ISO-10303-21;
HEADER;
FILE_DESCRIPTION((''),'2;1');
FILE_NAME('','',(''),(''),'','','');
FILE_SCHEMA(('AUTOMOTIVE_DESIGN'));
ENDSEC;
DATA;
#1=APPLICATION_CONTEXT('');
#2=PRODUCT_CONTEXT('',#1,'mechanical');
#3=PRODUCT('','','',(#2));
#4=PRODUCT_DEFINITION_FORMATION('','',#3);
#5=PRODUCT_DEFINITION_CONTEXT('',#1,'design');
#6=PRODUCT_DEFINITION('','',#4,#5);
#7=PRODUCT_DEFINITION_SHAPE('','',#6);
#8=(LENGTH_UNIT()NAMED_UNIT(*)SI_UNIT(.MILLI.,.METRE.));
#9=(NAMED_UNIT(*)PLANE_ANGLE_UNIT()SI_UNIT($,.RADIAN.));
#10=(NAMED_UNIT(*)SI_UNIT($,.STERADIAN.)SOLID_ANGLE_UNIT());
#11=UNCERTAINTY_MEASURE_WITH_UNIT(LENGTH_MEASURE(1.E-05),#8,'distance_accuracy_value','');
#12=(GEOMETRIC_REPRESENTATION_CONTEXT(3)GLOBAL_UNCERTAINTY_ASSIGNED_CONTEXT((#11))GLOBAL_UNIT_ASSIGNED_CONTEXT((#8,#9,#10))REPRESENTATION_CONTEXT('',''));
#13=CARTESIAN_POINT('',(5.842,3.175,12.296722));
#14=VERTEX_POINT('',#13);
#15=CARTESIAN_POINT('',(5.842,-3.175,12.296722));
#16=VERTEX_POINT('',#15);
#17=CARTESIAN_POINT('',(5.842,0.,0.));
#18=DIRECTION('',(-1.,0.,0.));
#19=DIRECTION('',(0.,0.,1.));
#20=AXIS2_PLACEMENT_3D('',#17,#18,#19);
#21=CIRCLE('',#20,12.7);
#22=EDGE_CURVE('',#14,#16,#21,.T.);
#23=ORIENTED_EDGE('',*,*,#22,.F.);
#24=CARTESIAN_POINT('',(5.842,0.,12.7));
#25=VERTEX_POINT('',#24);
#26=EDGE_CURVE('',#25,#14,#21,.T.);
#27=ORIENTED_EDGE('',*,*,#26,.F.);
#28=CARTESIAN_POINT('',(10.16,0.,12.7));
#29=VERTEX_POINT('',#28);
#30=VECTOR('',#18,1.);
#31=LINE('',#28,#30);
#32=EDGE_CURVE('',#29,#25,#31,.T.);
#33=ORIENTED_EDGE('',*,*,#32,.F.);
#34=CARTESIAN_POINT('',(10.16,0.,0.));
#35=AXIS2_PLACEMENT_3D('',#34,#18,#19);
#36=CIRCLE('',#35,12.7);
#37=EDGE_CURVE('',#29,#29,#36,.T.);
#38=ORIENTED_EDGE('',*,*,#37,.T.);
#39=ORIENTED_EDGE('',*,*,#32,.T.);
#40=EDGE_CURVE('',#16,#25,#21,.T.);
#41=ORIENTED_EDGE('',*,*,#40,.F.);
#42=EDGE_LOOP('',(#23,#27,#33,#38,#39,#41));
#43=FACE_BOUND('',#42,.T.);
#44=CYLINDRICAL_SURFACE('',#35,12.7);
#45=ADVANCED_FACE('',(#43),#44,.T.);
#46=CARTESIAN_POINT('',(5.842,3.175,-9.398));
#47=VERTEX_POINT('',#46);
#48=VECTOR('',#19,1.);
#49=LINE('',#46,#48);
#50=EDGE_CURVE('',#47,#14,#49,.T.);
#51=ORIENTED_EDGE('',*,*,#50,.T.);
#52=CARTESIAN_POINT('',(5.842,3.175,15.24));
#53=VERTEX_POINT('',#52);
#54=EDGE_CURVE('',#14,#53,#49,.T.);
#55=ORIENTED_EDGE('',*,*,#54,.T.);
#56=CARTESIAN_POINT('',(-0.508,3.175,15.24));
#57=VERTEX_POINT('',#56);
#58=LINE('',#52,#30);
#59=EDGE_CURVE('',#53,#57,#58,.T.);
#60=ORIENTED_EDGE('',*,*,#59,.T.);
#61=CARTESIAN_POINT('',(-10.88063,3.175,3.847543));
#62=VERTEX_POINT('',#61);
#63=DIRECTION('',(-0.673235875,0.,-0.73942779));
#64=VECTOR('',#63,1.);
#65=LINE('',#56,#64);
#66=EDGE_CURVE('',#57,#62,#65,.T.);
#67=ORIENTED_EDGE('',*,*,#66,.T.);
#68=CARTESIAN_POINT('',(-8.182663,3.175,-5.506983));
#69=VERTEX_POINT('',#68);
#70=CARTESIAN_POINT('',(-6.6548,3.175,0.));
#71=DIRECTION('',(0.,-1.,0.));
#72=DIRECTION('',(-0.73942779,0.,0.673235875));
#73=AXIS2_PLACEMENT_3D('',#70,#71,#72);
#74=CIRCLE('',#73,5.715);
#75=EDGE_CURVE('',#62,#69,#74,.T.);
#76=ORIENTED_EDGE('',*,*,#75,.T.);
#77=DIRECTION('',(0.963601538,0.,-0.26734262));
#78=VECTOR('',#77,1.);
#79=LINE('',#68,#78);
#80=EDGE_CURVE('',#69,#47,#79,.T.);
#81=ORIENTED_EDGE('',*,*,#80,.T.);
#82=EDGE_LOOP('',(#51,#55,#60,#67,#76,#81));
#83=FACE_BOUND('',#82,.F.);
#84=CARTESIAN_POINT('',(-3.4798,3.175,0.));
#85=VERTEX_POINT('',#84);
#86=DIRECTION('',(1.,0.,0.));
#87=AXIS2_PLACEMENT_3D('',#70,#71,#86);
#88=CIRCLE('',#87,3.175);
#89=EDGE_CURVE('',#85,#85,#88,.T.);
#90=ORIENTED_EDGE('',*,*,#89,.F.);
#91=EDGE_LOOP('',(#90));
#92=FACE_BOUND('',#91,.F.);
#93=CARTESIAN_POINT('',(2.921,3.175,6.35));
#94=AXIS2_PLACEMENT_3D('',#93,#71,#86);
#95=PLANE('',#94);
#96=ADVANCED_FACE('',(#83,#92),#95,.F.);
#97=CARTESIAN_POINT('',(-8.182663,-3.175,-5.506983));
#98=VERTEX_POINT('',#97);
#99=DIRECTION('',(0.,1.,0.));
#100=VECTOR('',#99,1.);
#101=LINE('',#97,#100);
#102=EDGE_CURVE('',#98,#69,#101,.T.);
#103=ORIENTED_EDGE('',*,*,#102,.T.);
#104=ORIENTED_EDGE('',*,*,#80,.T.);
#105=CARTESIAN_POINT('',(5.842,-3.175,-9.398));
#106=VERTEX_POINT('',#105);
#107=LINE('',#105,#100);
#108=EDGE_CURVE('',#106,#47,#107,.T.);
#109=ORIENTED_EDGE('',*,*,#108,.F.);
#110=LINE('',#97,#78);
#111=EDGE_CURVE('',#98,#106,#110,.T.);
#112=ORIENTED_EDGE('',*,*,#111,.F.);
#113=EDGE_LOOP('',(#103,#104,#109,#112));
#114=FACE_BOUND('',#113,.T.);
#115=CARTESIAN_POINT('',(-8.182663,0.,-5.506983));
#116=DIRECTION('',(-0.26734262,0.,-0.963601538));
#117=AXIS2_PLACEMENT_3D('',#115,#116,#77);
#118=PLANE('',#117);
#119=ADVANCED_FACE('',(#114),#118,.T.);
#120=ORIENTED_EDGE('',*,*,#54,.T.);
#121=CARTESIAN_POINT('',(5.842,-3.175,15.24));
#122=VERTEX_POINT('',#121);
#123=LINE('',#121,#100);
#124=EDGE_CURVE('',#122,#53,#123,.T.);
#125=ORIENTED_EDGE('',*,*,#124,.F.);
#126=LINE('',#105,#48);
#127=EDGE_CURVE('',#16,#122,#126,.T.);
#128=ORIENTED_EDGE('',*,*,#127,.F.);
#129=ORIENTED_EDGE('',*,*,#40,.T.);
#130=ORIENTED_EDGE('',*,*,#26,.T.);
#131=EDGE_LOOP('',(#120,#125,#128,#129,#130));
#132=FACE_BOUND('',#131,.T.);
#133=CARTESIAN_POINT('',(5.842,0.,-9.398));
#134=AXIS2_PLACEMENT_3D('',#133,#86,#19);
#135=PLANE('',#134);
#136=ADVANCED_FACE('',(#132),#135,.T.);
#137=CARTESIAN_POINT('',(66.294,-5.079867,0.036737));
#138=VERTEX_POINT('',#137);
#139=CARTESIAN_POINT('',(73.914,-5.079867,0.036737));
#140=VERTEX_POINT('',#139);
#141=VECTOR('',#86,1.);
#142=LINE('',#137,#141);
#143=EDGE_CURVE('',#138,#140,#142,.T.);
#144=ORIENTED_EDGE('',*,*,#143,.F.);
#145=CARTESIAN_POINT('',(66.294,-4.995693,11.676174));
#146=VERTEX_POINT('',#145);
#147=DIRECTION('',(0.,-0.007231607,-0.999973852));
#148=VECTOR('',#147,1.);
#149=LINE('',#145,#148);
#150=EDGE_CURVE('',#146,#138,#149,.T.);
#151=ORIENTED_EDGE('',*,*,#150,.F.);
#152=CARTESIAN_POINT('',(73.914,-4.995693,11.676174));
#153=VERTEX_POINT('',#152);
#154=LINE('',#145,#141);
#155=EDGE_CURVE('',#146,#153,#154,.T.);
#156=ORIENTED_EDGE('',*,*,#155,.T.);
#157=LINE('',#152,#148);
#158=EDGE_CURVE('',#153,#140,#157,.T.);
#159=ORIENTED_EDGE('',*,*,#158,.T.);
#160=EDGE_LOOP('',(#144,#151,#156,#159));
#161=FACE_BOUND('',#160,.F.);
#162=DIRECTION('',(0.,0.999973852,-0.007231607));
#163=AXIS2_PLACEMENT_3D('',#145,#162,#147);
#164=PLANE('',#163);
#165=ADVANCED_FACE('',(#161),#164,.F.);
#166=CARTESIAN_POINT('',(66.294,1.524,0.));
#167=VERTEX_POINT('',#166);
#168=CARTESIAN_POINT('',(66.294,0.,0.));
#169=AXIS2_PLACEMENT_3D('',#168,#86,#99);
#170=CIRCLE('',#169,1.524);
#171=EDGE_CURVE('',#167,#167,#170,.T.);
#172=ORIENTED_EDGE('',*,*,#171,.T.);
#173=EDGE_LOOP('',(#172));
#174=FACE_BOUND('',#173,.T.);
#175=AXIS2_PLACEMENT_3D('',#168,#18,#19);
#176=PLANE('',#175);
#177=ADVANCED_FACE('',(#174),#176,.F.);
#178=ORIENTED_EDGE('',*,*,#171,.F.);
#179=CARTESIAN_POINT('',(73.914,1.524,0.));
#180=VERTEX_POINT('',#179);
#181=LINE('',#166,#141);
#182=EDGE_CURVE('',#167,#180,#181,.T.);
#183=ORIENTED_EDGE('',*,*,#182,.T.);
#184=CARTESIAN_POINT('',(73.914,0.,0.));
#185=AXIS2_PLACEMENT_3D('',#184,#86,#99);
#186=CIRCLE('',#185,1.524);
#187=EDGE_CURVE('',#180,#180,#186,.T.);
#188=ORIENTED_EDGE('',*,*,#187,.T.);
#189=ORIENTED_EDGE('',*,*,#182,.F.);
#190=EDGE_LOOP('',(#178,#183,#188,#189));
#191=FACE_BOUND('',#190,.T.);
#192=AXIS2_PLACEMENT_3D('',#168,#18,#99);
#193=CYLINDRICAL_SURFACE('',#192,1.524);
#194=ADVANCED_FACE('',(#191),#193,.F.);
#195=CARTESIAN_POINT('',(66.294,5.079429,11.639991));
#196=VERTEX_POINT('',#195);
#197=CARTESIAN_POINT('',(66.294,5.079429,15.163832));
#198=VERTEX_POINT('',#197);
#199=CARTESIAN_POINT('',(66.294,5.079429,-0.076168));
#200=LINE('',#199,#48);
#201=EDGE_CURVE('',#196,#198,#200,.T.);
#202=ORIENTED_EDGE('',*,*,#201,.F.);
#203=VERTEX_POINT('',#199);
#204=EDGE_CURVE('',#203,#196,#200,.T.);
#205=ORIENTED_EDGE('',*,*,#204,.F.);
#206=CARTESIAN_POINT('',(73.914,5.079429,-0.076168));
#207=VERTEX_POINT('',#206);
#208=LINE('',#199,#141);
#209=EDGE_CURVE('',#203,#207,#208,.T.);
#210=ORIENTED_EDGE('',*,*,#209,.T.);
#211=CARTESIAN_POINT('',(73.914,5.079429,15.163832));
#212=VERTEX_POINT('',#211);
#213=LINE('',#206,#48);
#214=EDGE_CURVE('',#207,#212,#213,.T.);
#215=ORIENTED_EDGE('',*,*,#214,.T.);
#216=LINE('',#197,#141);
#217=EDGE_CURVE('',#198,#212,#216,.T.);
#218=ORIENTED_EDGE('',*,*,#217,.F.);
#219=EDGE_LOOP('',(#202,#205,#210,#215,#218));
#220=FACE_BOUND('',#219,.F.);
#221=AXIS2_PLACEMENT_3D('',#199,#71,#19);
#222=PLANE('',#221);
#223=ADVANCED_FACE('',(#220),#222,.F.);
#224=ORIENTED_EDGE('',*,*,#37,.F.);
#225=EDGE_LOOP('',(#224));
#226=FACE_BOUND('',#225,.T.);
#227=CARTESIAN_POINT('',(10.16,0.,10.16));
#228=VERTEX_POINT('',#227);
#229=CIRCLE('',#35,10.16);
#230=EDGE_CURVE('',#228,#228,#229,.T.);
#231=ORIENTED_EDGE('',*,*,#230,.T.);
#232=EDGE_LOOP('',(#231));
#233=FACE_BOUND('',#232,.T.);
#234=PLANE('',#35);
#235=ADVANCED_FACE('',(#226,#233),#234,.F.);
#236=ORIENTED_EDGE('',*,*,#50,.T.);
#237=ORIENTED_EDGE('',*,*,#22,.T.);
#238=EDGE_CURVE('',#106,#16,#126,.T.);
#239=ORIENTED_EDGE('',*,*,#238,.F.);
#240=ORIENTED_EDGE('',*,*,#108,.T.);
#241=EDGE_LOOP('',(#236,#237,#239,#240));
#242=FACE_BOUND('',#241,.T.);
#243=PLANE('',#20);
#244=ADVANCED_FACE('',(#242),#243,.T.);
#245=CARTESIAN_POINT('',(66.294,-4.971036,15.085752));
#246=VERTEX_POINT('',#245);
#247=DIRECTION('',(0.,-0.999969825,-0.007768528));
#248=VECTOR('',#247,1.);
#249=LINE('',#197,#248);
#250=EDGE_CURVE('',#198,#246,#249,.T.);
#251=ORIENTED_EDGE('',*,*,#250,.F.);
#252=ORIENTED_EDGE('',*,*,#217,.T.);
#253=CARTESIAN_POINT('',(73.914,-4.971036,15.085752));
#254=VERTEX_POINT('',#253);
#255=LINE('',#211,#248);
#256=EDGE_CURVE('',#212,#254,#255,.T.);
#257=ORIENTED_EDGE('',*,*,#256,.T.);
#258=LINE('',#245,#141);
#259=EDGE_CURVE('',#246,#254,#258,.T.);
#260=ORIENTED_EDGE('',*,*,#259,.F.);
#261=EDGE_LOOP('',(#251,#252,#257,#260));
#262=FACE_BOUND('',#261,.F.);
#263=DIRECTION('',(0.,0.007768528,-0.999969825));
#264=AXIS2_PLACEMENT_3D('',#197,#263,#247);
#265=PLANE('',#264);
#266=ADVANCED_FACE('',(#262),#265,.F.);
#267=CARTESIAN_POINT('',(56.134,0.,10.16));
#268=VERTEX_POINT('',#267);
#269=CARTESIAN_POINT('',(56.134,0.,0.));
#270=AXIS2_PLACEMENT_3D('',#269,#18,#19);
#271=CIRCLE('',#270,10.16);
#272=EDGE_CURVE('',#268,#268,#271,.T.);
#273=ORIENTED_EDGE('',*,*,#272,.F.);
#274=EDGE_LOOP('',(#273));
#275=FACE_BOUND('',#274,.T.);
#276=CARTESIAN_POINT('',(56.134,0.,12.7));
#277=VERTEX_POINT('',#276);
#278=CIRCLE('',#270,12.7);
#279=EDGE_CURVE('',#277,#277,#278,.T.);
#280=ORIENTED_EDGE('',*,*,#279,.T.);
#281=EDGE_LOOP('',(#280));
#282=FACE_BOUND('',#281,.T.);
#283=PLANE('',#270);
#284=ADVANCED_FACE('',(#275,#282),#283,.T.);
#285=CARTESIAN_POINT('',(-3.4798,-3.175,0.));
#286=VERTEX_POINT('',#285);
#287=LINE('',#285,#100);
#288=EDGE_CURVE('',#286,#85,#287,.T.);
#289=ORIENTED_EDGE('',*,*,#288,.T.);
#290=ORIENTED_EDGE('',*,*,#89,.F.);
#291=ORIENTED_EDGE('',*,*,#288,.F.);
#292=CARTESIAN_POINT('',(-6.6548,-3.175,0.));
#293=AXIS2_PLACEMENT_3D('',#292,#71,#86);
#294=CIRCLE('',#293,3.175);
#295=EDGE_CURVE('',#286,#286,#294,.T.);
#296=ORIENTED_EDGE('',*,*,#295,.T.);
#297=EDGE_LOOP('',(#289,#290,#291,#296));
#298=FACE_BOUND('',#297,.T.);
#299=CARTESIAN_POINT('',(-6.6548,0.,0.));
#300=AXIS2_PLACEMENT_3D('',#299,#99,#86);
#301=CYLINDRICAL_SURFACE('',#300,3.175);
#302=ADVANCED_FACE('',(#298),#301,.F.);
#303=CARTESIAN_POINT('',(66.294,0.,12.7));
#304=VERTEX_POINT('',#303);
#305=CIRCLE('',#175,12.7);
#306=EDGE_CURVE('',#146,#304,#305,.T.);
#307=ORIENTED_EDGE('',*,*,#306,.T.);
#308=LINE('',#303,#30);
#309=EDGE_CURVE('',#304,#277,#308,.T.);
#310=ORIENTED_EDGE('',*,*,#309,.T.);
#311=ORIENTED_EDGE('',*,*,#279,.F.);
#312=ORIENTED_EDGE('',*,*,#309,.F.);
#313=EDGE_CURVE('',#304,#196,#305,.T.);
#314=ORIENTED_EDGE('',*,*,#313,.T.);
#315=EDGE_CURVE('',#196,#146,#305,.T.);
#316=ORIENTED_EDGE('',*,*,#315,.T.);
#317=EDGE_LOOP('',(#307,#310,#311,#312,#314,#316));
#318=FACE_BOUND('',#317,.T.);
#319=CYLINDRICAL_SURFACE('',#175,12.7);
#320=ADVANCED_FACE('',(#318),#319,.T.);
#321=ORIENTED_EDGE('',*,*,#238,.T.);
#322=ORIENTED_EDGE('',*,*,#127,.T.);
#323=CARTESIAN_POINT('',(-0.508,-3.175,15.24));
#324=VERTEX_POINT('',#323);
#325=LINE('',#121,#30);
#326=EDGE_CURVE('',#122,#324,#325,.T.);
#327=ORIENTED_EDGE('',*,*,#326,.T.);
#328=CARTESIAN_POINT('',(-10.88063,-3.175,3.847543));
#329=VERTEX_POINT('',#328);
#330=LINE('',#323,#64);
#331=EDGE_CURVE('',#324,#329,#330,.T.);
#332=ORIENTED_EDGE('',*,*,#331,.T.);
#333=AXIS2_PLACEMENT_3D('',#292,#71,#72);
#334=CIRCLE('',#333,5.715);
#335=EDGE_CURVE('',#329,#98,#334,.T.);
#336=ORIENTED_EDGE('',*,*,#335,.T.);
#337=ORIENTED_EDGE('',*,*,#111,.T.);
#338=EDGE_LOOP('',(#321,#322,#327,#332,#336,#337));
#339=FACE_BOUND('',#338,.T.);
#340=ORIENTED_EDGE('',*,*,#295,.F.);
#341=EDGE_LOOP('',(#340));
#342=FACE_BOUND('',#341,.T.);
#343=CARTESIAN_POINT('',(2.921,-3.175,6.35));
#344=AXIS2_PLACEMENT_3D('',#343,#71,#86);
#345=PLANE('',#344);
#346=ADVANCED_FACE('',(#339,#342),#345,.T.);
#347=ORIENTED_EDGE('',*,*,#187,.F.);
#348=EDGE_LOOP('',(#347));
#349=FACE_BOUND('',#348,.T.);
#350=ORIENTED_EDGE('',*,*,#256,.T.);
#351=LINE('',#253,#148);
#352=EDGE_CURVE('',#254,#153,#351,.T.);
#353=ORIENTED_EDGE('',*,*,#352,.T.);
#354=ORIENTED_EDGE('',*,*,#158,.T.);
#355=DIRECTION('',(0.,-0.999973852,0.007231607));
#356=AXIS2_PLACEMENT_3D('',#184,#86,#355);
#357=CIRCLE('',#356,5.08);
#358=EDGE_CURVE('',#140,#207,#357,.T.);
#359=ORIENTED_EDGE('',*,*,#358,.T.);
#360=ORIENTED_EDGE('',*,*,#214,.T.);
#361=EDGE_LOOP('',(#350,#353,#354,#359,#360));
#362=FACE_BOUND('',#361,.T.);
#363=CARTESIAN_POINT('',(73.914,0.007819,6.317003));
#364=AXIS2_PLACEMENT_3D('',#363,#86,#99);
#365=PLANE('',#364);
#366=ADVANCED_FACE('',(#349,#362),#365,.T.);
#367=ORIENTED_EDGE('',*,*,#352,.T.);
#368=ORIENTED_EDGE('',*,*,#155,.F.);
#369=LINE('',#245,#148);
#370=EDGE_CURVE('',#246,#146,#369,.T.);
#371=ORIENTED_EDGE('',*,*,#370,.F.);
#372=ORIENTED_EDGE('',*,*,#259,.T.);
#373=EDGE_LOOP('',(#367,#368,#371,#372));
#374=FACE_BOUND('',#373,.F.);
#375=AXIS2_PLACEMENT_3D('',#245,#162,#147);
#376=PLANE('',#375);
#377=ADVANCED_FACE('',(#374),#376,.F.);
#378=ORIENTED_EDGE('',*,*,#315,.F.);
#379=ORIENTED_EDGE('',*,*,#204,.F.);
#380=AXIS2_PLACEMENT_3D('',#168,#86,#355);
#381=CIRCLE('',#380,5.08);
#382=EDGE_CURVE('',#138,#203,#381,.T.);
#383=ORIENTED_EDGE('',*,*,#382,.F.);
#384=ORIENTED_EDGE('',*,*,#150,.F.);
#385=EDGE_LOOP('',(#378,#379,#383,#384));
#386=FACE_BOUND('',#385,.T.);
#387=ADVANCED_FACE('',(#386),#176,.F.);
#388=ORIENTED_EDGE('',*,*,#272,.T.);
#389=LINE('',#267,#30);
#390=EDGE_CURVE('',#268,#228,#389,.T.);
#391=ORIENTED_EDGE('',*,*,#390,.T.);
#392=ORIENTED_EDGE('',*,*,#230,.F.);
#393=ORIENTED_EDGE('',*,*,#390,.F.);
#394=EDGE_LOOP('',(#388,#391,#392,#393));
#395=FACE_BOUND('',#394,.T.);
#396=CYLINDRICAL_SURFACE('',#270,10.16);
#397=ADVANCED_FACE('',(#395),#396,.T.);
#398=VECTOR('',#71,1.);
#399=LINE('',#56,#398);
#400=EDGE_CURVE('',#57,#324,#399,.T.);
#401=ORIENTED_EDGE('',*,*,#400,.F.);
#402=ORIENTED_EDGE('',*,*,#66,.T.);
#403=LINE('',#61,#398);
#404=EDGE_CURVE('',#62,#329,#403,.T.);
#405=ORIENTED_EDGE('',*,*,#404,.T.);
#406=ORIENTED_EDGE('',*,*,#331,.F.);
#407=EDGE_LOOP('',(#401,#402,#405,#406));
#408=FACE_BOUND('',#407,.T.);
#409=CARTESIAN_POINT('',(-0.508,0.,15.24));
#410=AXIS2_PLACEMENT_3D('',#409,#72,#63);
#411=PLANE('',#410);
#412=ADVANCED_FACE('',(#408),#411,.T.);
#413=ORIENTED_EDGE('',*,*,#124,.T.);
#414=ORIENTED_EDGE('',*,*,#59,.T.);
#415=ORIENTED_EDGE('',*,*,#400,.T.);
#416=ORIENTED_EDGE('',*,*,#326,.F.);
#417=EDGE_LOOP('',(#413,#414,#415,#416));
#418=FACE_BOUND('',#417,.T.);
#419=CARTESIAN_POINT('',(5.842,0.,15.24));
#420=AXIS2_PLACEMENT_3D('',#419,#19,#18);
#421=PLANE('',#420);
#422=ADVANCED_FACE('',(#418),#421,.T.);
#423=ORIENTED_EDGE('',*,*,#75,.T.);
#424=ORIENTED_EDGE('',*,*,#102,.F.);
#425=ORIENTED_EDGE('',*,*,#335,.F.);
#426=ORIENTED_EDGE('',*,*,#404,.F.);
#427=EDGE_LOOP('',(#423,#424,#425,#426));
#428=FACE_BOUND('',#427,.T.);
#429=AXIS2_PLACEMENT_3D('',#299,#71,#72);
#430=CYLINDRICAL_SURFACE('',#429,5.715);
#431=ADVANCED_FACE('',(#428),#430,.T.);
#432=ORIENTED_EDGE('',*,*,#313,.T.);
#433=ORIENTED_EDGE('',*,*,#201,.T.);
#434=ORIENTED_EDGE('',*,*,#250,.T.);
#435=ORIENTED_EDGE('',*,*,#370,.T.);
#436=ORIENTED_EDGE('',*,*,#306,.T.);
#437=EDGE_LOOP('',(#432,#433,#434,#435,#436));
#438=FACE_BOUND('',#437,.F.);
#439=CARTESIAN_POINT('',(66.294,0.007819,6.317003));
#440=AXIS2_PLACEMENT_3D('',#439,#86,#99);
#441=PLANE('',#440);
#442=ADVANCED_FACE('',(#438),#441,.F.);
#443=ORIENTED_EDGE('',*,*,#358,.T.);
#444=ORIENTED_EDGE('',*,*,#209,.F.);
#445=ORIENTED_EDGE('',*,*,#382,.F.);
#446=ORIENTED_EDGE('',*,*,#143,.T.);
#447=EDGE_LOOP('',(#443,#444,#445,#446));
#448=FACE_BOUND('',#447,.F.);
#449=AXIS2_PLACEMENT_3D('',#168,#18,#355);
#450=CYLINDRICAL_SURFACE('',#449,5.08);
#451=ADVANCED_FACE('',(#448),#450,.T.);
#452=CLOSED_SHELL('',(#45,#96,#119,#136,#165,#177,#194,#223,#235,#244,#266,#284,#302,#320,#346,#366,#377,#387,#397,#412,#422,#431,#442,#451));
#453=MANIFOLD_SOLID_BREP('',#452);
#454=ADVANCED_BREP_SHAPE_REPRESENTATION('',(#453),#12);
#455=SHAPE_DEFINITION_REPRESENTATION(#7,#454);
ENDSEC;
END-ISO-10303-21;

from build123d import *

# Parameters (mm, degrees)
F0_W     = 5.842
F0_H     = 12.7
F0_R     = 3.175
F2_DEPTH = 3.175
F3_R     = 1.524
F4_DEPTH = 7.62


with BuildPart() as f1:
    # F0 (on Front) → F1 (revolve)
    with BuildSketch(Plane.XZ):
        Polygon((5.842, 12.7), (5.842, 0), (66.294, 0), (66.294, 12.7), (56.134, 12.7), (56.134, 10.16), (10.16, 10.16), (10.16, 12.7), align=None)
    revolve(axis=Axis((33.147, 0, 0), (-1, 0, 0)))

    # F0 (on Front) → F2 (join, symmetric)
    with BuildSketch(Plane.XZ):
        with Locations((2.921, 6.35)):
            Rectangle(F0_W, F0_H)
        with BuildLine():
            Line((-0.9398, 0), (0, 0))
            Line((0, 0), (0, 12.7))
            Line((0, 12.7), (5.842, 12.7))
            Line((5.842, 12.7), (5.842, 15.24))
            Line((5.842, 15.24), (-0.508, 15.24))
            Line((-0.508, 15.24), (-10.8806298187, 3.8475430269))
            ThreePointArc((-10.8806298187, 3.8475430269), (-4.5919612295, 5.3297205562), (-0.9398, 0))
        make_face()
        with BuildLine():
            ThreePointArc((-8.1826630726, -5.5069827884), (-3.1957909266, -4.5493385486), (-0.9398, 0))
            ThreePointArc((-0.9398, 0), (-4.5919612295, 5.3297205562), (-10.8806298187, 3.8475430269))
            ThreePointArc((-10.8806298187, 3.8475430269), (-12.1459778134, -1.5837270034), (-8.1826630726, -5.5069827884))
        make_face()
        with Locations((-6.6548, 0)):
            Circle(F0_R, mode=Mode.SUBTRACT)
        with BuildLine():
            Line((5.842, 0), (0, 0))
            Line((0, 0), (-0.9398, 0))
            ThreePointArc((-0.9398, 0), (-3.1957909266, -4.5493385486), (-8.1826630726, -5.5069827884))
            Line((-8.1826630726, -5.5069827884), (5.842, -9.398))
            Line((5.842, -9.398), (5.842, 0))
        make_face()
    extrude(amount=F2_DEPTH, both=True)

    # F3 (on face) → F4 (join)
    with BuildSketch(Plane.YZ.offset(66.294)):
        with BuildLine():
            Line((-4.9956931261, 11.6761744673), (-5.0798671661, 0.0367365628))
            ThreePointArc((-5.0798671661, 0.0367365628), (-0.0197170397, 5.0799617359), (5.0794289447, 0.0761682073))
            Line((5.0794289447, 0.0761682073), (5.0794289447, 11.6399914775))
            ThreePointArc((5.0794289447, 11.6399914775), (0.0456094729, 12.6999181012), (-4.9956931261, 11.6761744673))
        make_face()
        with BuildLine():
            ThreePointArc((5.0794289447, 0.0761682073), (-0.0197170397, 5.0799617359), (-5.0798671661, 0.0367365628))
            ThreePointArc((-5.0798671661, 0.0367365628), (-0.0564528103, -5.0796863171), (5.0794289447, -0.0761682073))
            Line((5.0794289447, -0.0761682073), (5.0794289447, 0.0761682073))
        make_face()
        Circle(F3_R, mode=Mode.SUBTRACT)
        with BuildLine():
            Line((-4.9710357562, 15.0857521221), (-4.9956931261, 11.6761744673))
            ThreePointArc((-4.9956931261, 11.6761744673), (0.0456094729, 12.6999181012), (5.0794289447, 11.6399914775))
            Line((5.0794289447, 11.6399914775), (5.0794289447, 15.1638317927))
            Line((5.0794289447, 15.1638317927), (-4.9710357562, 15.0857521221))
        make_face()
    extrude(amount=F4_DEPTH)


solid = f1.part
